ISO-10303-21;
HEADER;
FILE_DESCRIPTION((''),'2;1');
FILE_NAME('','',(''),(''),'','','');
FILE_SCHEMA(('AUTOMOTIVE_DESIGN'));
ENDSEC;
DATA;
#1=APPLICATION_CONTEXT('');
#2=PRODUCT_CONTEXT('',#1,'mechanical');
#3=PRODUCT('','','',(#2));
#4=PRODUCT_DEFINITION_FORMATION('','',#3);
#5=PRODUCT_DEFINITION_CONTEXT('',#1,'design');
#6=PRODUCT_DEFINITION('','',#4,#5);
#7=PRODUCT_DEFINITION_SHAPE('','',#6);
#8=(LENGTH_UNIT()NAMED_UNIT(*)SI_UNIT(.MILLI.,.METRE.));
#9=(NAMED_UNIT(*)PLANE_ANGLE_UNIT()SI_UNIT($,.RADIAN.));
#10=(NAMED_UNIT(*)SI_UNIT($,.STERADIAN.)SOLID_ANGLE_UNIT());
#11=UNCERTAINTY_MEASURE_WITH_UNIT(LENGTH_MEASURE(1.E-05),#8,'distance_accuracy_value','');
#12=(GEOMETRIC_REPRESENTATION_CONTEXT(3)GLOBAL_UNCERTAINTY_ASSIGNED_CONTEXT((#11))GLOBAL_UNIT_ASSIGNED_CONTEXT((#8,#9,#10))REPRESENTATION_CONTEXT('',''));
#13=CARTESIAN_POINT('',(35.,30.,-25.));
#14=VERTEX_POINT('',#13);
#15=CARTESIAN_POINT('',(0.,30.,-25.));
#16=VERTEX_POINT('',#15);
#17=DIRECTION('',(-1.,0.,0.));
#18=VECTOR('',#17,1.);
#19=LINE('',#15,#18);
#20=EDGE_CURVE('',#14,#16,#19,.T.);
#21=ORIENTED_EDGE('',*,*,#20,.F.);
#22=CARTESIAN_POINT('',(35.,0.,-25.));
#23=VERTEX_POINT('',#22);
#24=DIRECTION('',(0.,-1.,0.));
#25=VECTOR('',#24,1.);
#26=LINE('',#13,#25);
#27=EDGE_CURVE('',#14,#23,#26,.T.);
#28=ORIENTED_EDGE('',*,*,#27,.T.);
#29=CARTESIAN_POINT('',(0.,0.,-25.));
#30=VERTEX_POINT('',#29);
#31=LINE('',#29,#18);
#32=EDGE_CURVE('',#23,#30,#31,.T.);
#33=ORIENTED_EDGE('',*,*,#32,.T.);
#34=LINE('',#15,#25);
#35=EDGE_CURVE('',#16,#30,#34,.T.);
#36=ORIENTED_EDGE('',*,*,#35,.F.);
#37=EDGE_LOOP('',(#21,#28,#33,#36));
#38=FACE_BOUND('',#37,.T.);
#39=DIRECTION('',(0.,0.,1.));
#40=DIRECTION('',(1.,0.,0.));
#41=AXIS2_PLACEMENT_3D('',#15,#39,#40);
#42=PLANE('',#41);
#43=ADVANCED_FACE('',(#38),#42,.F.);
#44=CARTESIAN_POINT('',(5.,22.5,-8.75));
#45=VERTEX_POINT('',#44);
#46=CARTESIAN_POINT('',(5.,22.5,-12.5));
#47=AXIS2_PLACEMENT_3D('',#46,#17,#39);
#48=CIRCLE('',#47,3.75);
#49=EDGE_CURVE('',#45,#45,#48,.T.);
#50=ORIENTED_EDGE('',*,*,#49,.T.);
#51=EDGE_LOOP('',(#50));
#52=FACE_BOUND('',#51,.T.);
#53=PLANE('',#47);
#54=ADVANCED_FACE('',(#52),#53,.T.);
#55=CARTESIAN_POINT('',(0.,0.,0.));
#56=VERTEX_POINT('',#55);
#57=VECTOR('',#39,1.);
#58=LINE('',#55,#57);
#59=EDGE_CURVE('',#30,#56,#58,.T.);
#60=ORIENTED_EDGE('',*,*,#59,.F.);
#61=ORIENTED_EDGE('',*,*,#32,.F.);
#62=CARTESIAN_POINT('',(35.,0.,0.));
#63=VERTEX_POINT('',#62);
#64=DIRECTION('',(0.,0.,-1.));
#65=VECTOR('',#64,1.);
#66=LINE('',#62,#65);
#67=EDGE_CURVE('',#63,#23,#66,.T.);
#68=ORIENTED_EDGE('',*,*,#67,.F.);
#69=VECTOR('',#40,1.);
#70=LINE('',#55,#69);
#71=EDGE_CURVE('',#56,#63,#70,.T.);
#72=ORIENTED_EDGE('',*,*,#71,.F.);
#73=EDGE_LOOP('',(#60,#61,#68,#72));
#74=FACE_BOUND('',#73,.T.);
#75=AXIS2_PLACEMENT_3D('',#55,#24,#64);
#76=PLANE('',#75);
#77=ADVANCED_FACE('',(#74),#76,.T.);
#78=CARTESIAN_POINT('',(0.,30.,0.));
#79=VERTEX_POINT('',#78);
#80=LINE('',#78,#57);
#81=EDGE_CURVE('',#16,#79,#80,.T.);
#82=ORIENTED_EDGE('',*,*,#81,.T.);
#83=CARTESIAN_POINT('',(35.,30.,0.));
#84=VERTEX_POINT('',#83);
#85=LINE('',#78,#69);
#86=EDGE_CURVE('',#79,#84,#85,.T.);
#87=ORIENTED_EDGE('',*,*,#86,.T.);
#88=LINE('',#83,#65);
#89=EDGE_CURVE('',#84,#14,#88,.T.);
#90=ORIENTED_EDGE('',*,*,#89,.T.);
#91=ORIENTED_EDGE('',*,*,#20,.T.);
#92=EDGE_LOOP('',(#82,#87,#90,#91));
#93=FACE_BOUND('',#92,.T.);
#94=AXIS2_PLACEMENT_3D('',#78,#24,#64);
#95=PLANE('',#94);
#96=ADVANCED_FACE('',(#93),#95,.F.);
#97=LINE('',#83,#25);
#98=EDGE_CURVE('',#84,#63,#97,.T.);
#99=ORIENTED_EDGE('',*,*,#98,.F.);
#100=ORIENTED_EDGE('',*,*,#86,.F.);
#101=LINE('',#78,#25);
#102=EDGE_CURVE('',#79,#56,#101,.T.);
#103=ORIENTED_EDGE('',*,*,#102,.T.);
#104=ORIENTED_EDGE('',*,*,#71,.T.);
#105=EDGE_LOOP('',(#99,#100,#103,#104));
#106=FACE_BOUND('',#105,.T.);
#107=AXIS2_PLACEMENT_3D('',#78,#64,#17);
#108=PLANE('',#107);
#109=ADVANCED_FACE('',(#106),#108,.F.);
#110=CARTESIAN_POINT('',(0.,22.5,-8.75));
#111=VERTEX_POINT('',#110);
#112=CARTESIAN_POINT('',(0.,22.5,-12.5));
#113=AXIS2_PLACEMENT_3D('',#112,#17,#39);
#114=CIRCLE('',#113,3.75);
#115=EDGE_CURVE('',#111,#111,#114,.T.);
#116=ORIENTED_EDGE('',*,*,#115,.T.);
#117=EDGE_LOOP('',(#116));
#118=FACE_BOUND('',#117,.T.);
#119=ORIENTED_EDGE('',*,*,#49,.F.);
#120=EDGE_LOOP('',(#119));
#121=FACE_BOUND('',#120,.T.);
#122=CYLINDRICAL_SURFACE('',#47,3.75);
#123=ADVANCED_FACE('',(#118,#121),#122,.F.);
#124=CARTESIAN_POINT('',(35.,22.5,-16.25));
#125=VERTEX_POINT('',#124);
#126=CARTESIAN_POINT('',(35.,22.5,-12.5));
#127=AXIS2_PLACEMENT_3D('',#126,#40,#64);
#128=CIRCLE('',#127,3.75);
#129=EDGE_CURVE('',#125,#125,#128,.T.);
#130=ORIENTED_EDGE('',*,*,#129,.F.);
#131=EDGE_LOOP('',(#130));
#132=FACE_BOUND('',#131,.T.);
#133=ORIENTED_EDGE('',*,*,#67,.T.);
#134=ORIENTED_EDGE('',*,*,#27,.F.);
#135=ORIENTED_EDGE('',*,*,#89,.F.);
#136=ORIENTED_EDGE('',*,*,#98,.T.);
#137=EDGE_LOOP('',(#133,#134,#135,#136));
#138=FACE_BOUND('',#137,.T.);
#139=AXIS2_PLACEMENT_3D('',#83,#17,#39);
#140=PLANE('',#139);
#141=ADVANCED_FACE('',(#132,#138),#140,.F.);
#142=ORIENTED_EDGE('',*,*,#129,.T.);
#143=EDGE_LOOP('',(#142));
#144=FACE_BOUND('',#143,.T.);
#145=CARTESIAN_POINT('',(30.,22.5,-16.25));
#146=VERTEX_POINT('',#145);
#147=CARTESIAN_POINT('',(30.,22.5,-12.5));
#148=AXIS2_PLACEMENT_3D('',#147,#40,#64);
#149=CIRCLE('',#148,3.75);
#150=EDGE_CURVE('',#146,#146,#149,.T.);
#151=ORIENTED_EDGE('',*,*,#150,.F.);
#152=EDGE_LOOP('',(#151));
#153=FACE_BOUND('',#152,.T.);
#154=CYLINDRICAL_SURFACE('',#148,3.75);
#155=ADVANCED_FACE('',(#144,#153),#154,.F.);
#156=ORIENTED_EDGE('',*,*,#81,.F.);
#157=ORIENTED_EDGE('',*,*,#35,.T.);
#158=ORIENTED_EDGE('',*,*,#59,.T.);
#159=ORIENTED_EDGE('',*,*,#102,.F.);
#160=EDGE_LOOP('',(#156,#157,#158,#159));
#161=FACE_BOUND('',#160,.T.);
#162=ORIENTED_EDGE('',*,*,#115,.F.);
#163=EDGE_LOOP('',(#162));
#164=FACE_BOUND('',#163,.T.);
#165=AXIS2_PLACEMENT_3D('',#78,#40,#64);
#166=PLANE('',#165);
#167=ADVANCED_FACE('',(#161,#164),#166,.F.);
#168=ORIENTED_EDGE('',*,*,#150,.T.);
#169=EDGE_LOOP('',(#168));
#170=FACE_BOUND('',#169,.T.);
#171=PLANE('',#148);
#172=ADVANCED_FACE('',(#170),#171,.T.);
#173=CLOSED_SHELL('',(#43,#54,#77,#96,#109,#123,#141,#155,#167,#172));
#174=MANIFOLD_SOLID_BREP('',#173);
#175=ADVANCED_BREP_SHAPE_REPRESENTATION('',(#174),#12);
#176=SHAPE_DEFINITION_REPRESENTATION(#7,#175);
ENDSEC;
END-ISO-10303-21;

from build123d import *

# Parameters (mm, degrees)
SKETCH1_W           = 35
SKETCH1_H           = 25
BOSS_EXTRUDE1_DEPTH = 30
SKETCH2_R           = 3.75
CUT_EXTRUDE1_DEPTH  = 5
SKETCH3_R           = 3.75
CUT_EXTRUDE2_DEPTH  = 5


with BuildPart() as part:
    # Sketch1 → Boss-Extrude1 (new body)
    with BuildSketch(Plane(origin=(0, 0, 0), x_dir=(1, 0, 0), z_dir=(0, 1, 0))):
        with Locations((17.5, 12.5)):
            Rectangle(SKETCH1_W, SKETCH1_H)
    extrude(amount=BOSS_EXTRUDE1_DEPTH)

    # Sketch2 → Cut-Extrude1 (cut)
    with BuildSketch(Plane(origin=(35, 0, 0), x_dir=(0, 0, -1), z_dir=(1, 0, 0))):
        with Locations((12.5, 22.5)):
            Circle(SKETCH2_R)
    extrude(amount=-CUT_EXTRUDE1_DEPTH, mode=Mode.SUBTRACT)

    # Sketch3 → Cut-Extrude2 (cut)
    with BuildSketch(Plane.ZY):
        with Locations((-12.5, 22.5)):
            Circle(SKETCH3_R)
    extrude(amount=-CUT_EXTRUDE2_DEPTH, mode=Mode.SUBTRACT)


solid = part.part
